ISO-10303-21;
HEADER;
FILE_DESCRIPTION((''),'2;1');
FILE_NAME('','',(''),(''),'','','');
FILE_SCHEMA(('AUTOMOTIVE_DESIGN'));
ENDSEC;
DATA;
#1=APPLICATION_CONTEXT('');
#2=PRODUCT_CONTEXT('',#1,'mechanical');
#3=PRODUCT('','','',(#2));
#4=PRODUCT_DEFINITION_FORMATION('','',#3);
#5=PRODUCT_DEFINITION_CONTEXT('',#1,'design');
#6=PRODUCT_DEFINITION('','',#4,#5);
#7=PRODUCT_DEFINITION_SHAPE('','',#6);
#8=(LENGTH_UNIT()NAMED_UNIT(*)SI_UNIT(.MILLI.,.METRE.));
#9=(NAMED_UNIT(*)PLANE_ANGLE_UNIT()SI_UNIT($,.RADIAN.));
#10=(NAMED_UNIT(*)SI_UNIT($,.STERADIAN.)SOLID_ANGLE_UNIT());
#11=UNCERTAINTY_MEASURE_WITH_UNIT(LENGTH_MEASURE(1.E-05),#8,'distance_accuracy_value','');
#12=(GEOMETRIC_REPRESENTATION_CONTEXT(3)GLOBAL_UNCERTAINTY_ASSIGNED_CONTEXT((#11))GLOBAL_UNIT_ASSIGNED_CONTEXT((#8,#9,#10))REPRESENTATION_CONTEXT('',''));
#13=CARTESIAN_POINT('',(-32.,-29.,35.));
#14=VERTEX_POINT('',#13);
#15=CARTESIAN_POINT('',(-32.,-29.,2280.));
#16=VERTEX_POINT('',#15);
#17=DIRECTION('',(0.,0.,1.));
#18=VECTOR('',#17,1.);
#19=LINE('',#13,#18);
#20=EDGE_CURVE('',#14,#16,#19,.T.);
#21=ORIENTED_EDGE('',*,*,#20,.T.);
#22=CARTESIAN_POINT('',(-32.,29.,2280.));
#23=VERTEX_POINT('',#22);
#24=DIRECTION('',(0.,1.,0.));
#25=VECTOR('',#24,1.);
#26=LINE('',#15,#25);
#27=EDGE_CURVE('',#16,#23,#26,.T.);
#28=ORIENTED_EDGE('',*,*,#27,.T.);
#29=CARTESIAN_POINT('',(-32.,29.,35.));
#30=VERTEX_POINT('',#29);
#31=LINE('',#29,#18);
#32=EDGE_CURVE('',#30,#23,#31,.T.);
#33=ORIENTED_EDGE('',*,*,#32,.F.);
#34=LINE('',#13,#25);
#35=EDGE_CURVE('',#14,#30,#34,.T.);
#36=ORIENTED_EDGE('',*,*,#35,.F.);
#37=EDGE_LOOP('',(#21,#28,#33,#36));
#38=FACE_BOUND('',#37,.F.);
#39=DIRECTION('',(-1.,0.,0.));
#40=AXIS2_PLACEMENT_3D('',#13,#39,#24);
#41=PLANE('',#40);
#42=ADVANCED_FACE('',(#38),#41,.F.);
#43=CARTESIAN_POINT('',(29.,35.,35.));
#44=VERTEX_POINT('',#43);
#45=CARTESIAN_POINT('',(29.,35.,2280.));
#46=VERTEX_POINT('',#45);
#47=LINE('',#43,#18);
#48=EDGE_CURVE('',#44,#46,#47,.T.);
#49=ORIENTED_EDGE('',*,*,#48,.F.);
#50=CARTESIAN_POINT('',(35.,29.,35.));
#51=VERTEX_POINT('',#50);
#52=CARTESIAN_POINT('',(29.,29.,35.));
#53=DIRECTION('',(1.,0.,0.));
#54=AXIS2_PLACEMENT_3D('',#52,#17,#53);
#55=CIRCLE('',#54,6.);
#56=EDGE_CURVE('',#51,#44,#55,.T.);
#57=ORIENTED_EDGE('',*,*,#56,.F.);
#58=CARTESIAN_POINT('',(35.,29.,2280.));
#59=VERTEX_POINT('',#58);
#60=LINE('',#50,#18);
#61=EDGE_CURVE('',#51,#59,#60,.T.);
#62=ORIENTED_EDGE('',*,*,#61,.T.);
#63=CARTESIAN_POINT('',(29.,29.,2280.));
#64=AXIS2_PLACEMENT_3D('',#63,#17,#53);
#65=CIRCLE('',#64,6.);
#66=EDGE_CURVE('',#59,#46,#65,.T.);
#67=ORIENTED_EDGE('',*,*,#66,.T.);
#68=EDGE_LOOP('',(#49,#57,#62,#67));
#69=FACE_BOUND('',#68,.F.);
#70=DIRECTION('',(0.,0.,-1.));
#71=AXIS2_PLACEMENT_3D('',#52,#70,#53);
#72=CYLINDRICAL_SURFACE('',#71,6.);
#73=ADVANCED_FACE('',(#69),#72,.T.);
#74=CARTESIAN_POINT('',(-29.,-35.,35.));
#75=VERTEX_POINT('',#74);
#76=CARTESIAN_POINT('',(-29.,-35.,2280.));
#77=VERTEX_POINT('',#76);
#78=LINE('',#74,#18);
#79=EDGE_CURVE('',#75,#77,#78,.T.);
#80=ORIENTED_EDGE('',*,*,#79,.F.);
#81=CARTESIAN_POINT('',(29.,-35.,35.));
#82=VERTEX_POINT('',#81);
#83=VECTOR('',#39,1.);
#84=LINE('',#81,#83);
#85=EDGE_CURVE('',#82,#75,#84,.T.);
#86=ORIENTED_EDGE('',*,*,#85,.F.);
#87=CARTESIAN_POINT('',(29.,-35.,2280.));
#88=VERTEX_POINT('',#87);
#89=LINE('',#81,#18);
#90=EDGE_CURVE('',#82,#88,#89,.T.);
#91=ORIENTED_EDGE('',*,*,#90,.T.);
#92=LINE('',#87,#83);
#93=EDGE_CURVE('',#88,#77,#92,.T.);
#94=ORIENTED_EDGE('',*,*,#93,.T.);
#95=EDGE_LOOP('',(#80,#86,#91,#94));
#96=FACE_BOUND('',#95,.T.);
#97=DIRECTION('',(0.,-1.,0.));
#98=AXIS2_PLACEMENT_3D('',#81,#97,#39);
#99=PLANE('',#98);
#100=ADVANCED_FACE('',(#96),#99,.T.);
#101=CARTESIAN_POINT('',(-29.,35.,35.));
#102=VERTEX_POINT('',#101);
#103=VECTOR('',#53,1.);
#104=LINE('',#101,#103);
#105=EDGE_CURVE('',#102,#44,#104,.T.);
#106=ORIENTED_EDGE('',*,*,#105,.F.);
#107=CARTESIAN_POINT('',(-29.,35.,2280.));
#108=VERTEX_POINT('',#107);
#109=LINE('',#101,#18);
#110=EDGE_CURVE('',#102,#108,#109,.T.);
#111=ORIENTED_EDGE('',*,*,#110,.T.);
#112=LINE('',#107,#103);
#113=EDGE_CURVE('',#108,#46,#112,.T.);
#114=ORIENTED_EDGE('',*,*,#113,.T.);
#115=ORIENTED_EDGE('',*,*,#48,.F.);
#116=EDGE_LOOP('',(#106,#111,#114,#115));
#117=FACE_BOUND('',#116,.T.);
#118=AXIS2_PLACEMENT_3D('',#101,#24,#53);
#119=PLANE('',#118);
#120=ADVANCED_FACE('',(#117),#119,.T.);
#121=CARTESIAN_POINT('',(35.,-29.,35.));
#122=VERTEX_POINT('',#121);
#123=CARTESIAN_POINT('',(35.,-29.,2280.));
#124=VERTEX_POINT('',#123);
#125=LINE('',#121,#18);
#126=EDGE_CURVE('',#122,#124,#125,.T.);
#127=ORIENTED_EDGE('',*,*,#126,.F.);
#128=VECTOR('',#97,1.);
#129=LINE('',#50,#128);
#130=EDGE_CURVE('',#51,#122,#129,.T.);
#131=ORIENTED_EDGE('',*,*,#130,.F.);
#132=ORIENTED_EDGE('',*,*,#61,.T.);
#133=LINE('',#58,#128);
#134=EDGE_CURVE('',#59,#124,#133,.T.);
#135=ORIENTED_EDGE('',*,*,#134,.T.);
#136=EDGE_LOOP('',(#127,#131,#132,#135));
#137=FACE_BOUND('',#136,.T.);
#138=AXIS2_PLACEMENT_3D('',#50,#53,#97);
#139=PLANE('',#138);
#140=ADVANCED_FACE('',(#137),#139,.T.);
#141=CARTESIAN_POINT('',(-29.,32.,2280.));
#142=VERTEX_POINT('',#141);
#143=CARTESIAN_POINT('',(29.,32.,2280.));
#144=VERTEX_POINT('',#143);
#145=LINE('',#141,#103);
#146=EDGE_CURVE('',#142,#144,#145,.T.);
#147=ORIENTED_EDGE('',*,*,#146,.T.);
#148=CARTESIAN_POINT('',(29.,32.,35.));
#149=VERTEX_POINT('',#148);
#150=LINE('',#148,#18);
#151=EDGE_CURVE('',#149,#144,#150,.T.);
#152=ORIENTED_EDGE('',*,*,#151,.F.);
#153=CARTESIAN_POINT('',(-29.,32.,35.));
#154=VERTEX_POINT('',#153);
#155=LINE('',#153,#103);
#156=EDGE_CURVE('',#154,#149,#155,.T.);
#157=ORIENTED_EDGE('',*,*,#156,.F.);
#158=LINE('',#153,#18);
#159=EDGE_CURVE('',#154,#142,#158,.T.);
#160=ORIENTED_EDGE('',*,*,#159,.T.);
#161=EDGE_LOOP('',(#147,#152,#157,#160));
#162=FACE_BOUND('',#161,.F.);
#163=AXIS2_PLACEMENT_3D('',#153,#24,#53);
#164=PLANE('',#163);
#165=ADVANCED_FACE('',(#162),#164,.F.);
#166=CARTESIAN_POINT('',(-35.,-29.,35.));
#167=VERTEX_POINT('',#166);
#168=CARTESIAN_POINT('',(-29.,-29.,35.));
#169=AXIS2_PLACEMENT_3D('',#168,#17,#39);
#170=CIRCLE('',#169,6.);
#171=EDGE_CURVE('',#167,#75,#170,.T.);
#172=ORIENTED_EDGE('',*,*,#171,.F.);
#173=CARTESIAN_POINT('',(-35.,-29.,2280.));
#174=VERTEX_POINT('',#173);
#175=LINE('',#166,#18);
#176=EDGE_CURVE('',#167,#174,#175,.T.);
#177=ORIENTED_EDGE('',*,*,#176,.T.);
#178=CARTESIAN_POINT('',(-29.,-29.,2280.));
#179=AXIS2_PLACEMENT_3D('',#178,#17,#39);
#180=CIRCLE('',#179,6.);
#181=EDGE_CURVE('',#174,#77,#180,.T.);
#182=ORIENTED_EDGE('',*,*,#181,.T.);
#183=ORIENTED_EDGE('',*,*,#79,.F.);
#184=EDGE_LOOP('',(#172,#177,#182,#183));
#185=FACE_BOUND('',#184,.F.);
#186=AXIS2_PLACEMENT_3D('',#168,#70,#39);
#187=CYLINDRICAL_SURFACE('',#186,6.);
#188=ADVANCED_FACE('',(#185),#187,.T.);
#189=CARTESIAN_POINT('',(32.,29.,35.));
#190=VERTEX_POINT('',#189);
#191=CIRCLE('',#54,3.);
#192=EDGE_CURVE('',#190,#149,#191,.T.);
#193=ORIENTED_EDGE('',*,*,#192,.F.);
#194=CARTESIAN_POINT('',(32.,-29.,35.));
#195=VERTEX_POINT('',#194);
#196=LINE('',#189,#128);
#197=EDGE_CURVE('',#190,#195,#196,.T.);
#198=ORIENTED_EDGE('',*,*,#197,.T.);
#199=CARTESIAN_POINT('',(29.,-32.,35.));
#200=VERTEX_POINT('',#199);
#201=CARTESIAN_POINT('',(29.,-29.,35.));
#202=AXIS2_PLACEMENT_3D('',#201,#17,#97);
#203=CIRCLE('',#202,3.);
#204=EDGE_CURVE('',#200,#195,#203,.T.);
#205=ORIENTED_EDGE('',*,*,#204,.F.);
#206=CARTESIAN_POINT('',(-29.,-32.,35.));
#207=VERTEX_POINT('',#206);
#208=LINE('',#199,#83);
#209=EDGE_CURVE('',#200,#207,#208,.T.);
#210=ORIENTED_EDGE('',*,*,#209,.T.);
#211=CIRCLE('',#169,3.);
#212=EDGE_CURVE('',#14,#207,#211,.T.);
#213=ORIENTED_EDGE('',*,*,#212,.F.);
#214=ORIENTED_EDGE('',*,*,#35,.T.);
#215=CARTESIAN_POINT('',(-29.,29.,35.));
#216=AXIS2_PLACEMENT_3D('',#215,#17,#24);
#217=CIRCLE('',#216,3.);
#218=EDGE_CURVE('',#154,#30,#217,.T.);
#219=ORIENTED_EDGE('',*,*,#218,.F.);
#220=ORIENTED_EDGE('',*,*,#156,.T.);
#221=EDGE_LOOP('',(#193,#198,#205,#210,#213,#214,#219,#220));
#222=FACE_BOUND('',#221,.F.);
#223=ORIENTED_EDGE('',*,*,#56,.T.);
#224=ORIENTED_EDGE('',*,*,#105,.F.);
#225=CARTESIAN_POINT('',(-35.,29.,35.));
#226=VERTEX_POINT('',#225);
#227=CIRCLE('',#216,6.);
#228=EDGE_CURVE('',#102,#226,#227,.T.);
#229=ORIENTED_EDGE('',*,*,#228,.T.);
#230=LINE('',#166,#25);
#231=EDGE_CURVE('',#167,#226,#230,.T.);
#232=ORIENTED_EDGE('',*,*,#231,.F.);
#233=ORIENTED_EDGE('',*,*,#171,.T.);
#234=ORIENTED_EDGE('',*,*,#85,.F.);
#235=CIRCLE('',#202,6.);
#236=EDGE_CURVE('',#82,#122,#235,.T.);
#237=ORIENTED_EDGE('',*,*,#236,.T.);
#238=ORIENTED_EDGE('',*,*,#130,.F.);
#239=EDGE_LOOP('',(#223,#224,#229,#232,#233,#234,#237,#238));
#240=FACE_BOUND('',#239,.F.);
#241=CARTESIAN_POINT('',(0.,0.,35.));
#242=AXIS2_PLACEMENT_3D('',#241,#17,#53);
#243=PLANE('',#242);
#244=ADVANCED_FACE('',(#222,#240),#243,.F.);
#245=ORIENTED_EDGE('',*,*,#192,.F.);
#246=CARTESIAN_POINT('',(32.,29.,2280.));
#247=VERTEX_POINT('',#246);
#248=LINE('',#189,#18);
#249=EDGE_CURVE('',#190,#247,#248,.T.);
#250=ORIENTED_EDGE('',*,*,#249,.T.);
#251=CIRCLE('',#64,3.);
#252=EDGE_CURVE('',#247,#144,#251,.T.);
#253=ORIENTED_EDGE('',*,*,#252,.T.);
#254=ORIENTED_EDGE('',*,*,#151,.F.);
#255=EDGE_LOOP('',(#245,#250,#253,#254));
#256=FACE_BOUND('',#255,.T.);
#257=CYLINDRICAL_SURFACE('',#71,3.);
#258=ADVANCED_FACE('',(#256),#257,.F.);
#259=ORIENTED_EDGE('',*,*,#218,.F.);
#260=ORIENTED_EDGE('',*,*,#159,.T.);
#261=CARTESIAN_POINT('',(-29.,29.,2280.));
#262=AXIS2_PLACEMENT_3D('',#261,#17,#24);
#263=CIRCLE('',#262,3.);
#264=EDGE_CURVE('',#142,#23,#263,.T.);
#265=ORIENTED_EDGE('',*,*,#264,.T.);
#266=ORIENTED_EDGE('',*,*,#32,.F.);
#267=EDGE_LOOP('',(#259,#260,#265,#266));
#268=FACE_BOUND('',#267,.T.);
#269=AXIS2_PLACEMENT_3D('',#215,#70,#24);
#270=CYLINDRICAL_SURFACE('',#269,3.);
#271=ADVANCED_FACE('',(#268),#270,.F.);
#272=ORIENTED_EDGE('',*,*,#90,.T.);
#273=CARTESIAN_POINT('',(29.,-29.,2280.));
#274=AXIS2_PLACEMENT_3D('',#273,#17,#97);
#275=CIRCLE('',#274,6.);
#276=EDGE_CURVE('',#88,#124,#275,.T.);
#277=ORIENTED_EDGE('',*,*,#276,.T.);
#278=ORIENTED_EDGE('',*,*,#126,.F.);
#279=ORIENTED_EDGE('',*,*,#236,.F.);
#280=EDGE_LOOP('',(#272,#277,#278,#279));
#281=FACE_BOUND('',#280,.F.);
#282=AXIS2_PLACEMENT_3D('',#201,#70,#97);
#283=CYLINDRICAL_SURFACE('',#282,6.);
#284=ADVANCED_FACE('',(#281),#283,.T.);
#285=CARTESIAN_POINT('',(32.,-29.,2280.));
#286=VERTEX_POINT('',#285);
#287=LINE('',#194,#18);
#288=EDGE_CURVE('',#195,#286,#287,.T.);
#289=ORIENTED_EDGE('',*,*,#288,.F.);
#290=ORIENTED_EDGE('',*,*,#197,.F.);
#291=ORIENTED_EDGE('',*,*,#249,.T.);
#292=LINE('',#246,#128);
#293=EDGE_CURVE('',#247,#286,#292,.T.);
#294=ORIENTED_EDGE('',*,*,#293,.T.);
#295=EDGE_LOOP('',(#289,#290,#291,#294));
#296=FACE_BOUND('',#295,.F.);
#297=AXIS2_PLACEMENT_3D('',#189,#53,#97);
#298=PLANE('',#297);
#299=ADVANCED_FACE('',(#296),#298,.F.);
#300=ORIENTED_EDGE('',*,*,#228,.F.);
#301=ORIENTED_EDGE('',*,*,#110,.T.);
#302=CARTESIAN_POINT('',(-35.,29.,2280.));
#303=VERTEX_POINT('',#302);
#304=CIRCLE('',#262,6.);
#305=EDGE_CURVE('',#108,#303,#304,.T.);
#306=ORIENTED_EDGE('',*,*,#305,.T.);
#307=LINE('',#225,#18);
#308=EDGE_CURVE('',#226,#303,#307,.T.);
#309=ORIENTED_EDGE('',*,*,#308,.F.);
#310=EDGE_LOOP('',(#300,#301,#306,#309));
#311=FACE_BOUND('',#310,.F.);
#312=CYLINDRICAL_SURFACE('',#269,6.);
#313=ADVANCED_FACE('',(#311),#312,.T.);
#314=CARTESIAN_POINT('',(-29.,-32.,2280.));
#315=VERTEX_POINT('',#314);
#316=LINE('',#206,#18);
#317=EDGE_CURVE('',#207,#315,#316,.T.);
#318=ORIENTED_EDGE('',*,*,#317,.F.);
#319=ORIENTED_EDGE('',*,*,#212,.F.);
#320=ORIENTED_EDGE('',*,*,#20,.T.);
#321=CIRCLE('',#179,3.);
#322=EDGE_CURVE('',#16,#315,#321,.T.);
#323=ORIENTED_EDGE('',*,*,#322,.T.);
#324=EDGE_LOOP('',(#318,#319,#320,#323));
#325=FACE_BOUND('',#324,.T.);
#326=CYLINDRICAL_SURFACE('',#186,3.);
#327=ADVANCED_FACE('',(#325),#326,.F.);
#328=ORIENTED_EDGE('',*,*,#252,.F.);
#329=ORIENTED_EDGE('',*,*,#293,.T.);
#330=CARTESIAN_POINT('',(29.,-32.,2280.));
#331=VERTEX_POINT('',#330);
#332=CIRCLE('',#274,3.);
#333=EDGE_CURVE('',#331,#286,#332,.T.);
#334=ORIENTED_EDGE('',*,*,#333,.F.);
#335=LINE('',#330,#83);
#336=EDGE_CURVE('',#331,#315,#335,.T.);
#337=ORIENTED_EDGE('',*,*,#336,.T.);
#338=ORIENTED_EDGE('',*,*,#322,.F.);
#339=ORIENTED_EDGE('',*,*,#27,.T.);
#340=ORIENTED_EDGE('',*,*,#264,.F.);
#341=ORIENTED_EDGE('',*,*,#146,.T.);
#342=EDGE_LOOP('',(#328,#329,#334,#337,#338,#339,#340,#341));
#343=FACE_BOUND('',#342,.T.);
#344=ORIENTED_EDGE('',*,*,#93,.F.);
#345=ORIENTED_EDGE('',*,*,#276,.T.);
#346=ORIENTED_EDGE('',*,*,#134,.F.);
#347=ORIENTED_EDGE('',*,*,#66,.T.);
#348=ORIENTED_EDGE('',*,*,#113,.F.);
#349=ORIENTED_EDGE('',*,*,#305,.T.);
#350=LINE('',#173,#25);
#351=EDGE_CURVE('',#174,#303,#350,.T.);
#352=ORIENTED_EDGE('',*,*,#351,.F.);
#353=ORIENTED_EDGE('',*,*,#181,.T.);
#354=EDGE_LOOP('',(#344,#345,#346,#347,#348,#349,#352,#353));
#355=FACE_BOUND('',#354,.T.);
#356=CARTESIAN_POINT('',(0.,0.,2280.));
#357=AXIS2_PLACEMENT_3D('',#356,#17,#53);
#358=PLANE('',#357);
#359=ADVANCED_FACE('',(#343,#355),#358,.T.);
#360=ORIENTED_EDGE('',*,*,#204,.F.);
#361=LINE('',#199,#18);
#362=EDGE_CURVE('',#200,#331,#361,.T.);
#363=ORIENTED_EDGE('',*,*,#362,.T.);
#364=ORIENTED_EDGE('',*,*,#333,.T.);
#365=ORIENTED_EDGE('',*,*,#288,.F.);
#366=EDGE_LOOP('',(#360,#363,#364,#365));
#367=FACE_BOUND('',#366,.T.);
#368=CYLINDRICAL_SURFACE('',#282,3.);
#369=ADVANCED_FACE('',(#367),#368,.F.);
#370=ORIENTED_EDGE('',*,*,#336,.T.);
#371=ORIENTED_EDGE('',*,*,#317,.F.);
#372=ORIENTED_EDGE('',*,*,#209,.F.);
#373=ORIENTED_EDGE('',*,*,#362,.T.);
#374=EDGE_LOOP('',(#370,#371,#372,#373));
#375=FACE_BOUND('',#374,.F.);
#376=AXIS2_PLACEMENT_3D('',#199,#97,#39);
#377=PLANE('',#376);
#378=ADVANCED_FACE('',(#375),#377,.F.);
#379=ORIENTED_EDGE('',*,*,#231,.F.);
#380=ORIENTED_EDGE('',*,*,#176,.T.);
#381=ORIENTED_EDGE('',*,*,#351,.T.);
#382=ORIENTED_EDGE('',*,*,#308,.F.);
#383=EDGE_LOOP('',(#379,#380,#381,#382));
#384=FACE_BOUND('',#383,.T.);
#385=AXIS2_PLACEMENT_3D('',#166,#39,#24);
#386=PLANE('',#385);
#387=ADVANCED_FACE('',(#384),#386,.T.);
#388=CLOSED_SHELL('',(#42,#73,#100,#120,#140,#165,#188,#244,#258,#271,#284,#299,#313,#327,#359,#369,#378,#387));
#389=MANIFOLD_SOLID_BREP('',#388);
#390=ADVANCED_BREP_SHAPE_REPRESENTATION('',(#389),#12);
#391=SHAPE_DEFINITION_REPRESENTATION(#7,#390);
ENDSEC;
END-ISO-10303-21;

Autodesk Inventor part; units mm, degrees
ref_plane "Plano inicial" through (0, 0, 35) normal (0, 0, 1) x (1, 0, 0)
ref_plane "Plano final" through (0, 0, 2280) normal (0, 0, 1) x (1, 0, 0)
sketch "Boceto" plane through (0, 0, 0) normal (0, 0, 1) x (1, 0, 0)
  line L0 (-35, -29) -> (-35, 29)
  line L1 (-29, 35) -> (29, 35)
  line L2 (35, 29) -> (35, -29)
  line L3 (29, -35) -> (-29, -35)
  arc A0 (-35, -29) -> (-29, -35) centre (-29, -29) ccw
  arc A1 (35, 29) -> (29, 35) centre (29, 29) ccw
  arc A2 (-29, 35) -> (-35, 29) centre (-29, 29) ccw
  arc A3 (29, -35) -> (35, -29) centre (29, -29) ccw
  arc A4 (-29, 32) -> (-32, 29) centre (-29, 29) ccw
  line L4 (-29, 32) -> (29, 32)
  arc A5 (32, 29) -> (29, 32) centre (29, 29) ccw
  line L5 (32, 29) -> (32, -29)
  arc A6 (29, -32) -> (32, -29) centre (29, -29) ccw
  line L6 (29, -32) -> (-29, -32)
  arc A7 (-32, -29) -> (-29, -32) centre (-29, -29) ccw
  line L7 (-32, -29) -> (-32, 29)
  line L8 (0, 50.7397) -> (0, -50.7397) construction
  line L9 (-50.7397, 0) -> (50.7397, 0) construction
  dimension "d7" = 6
  dimension "d9" = 70
  dimension "d11" = 70
  dimension "d12" = 3
  dimension "d15" = 35
  dimension "d16" = 35
extrude "Cuerpo" add sketch "Boceto" along normal up to surface (2245 mm away) from surface at 35
sketch "Sketch3" plane through (0, 0, 0) normal (0, 0, 1) x (1, 0, 0)
  line L0 (0, 0) -> (10, 0)
ref_plane "Work Plane3" through (0, 0, 0) normal (0, -1, 0) x (1, 0, 0)
sketch "Sketch4" plane through (0, 0, 0) normal (0, -1, 0) x (1, 0, 0)
  line L0 (-2, 35) -> (12, 35)
  line L1 (-2, 2280) -> (12, 2280)
  dimension "d18" = 2245
ref_plane "Plano de trabajo4" through (500, 29, 2280) normal (0, 0, 1) x (1, 0, 0)
split "Dividir1" plane through (500, 29, 2280) removes the side toward (0, 0, 1)
ref_plane "Plano de trabajo5" through (1000, 29, 35) normal (0, 0, -1) x (-1, 0, 0)
split "Dividir2" plane through (1000, 29, 35) removes the side toward (0, 0, -1)
equation "\"d7\" = G_IR"
equation "\"d9\" = G_W"
equation "\"d11\" = G_H"
equation "\"d12\" = G_T"
equation "\"d15\" = 0.5 * d9"
equation "\"d16\" = 0.5 * d11"
equation "\"d3\" = G_L"
equation "\"G_W\" = 70"
equation "\"G_H\" = 70"
equation "\"G_T\" = 3"
equation "\"G_IR\" = 6"
equation "\"G_L\" = d18"
equation "\"G_OFFSET_START\" = -35"
equation "\"G_OFFSET_END\" = -35"
equation "\"d13\" = -G_OFFSET_START"
equation "\"B_L\" = 2315"
properties part number "ISO 10799-2 - 70x70x3 - 2245" material "Galvanizado catalogo 2"
